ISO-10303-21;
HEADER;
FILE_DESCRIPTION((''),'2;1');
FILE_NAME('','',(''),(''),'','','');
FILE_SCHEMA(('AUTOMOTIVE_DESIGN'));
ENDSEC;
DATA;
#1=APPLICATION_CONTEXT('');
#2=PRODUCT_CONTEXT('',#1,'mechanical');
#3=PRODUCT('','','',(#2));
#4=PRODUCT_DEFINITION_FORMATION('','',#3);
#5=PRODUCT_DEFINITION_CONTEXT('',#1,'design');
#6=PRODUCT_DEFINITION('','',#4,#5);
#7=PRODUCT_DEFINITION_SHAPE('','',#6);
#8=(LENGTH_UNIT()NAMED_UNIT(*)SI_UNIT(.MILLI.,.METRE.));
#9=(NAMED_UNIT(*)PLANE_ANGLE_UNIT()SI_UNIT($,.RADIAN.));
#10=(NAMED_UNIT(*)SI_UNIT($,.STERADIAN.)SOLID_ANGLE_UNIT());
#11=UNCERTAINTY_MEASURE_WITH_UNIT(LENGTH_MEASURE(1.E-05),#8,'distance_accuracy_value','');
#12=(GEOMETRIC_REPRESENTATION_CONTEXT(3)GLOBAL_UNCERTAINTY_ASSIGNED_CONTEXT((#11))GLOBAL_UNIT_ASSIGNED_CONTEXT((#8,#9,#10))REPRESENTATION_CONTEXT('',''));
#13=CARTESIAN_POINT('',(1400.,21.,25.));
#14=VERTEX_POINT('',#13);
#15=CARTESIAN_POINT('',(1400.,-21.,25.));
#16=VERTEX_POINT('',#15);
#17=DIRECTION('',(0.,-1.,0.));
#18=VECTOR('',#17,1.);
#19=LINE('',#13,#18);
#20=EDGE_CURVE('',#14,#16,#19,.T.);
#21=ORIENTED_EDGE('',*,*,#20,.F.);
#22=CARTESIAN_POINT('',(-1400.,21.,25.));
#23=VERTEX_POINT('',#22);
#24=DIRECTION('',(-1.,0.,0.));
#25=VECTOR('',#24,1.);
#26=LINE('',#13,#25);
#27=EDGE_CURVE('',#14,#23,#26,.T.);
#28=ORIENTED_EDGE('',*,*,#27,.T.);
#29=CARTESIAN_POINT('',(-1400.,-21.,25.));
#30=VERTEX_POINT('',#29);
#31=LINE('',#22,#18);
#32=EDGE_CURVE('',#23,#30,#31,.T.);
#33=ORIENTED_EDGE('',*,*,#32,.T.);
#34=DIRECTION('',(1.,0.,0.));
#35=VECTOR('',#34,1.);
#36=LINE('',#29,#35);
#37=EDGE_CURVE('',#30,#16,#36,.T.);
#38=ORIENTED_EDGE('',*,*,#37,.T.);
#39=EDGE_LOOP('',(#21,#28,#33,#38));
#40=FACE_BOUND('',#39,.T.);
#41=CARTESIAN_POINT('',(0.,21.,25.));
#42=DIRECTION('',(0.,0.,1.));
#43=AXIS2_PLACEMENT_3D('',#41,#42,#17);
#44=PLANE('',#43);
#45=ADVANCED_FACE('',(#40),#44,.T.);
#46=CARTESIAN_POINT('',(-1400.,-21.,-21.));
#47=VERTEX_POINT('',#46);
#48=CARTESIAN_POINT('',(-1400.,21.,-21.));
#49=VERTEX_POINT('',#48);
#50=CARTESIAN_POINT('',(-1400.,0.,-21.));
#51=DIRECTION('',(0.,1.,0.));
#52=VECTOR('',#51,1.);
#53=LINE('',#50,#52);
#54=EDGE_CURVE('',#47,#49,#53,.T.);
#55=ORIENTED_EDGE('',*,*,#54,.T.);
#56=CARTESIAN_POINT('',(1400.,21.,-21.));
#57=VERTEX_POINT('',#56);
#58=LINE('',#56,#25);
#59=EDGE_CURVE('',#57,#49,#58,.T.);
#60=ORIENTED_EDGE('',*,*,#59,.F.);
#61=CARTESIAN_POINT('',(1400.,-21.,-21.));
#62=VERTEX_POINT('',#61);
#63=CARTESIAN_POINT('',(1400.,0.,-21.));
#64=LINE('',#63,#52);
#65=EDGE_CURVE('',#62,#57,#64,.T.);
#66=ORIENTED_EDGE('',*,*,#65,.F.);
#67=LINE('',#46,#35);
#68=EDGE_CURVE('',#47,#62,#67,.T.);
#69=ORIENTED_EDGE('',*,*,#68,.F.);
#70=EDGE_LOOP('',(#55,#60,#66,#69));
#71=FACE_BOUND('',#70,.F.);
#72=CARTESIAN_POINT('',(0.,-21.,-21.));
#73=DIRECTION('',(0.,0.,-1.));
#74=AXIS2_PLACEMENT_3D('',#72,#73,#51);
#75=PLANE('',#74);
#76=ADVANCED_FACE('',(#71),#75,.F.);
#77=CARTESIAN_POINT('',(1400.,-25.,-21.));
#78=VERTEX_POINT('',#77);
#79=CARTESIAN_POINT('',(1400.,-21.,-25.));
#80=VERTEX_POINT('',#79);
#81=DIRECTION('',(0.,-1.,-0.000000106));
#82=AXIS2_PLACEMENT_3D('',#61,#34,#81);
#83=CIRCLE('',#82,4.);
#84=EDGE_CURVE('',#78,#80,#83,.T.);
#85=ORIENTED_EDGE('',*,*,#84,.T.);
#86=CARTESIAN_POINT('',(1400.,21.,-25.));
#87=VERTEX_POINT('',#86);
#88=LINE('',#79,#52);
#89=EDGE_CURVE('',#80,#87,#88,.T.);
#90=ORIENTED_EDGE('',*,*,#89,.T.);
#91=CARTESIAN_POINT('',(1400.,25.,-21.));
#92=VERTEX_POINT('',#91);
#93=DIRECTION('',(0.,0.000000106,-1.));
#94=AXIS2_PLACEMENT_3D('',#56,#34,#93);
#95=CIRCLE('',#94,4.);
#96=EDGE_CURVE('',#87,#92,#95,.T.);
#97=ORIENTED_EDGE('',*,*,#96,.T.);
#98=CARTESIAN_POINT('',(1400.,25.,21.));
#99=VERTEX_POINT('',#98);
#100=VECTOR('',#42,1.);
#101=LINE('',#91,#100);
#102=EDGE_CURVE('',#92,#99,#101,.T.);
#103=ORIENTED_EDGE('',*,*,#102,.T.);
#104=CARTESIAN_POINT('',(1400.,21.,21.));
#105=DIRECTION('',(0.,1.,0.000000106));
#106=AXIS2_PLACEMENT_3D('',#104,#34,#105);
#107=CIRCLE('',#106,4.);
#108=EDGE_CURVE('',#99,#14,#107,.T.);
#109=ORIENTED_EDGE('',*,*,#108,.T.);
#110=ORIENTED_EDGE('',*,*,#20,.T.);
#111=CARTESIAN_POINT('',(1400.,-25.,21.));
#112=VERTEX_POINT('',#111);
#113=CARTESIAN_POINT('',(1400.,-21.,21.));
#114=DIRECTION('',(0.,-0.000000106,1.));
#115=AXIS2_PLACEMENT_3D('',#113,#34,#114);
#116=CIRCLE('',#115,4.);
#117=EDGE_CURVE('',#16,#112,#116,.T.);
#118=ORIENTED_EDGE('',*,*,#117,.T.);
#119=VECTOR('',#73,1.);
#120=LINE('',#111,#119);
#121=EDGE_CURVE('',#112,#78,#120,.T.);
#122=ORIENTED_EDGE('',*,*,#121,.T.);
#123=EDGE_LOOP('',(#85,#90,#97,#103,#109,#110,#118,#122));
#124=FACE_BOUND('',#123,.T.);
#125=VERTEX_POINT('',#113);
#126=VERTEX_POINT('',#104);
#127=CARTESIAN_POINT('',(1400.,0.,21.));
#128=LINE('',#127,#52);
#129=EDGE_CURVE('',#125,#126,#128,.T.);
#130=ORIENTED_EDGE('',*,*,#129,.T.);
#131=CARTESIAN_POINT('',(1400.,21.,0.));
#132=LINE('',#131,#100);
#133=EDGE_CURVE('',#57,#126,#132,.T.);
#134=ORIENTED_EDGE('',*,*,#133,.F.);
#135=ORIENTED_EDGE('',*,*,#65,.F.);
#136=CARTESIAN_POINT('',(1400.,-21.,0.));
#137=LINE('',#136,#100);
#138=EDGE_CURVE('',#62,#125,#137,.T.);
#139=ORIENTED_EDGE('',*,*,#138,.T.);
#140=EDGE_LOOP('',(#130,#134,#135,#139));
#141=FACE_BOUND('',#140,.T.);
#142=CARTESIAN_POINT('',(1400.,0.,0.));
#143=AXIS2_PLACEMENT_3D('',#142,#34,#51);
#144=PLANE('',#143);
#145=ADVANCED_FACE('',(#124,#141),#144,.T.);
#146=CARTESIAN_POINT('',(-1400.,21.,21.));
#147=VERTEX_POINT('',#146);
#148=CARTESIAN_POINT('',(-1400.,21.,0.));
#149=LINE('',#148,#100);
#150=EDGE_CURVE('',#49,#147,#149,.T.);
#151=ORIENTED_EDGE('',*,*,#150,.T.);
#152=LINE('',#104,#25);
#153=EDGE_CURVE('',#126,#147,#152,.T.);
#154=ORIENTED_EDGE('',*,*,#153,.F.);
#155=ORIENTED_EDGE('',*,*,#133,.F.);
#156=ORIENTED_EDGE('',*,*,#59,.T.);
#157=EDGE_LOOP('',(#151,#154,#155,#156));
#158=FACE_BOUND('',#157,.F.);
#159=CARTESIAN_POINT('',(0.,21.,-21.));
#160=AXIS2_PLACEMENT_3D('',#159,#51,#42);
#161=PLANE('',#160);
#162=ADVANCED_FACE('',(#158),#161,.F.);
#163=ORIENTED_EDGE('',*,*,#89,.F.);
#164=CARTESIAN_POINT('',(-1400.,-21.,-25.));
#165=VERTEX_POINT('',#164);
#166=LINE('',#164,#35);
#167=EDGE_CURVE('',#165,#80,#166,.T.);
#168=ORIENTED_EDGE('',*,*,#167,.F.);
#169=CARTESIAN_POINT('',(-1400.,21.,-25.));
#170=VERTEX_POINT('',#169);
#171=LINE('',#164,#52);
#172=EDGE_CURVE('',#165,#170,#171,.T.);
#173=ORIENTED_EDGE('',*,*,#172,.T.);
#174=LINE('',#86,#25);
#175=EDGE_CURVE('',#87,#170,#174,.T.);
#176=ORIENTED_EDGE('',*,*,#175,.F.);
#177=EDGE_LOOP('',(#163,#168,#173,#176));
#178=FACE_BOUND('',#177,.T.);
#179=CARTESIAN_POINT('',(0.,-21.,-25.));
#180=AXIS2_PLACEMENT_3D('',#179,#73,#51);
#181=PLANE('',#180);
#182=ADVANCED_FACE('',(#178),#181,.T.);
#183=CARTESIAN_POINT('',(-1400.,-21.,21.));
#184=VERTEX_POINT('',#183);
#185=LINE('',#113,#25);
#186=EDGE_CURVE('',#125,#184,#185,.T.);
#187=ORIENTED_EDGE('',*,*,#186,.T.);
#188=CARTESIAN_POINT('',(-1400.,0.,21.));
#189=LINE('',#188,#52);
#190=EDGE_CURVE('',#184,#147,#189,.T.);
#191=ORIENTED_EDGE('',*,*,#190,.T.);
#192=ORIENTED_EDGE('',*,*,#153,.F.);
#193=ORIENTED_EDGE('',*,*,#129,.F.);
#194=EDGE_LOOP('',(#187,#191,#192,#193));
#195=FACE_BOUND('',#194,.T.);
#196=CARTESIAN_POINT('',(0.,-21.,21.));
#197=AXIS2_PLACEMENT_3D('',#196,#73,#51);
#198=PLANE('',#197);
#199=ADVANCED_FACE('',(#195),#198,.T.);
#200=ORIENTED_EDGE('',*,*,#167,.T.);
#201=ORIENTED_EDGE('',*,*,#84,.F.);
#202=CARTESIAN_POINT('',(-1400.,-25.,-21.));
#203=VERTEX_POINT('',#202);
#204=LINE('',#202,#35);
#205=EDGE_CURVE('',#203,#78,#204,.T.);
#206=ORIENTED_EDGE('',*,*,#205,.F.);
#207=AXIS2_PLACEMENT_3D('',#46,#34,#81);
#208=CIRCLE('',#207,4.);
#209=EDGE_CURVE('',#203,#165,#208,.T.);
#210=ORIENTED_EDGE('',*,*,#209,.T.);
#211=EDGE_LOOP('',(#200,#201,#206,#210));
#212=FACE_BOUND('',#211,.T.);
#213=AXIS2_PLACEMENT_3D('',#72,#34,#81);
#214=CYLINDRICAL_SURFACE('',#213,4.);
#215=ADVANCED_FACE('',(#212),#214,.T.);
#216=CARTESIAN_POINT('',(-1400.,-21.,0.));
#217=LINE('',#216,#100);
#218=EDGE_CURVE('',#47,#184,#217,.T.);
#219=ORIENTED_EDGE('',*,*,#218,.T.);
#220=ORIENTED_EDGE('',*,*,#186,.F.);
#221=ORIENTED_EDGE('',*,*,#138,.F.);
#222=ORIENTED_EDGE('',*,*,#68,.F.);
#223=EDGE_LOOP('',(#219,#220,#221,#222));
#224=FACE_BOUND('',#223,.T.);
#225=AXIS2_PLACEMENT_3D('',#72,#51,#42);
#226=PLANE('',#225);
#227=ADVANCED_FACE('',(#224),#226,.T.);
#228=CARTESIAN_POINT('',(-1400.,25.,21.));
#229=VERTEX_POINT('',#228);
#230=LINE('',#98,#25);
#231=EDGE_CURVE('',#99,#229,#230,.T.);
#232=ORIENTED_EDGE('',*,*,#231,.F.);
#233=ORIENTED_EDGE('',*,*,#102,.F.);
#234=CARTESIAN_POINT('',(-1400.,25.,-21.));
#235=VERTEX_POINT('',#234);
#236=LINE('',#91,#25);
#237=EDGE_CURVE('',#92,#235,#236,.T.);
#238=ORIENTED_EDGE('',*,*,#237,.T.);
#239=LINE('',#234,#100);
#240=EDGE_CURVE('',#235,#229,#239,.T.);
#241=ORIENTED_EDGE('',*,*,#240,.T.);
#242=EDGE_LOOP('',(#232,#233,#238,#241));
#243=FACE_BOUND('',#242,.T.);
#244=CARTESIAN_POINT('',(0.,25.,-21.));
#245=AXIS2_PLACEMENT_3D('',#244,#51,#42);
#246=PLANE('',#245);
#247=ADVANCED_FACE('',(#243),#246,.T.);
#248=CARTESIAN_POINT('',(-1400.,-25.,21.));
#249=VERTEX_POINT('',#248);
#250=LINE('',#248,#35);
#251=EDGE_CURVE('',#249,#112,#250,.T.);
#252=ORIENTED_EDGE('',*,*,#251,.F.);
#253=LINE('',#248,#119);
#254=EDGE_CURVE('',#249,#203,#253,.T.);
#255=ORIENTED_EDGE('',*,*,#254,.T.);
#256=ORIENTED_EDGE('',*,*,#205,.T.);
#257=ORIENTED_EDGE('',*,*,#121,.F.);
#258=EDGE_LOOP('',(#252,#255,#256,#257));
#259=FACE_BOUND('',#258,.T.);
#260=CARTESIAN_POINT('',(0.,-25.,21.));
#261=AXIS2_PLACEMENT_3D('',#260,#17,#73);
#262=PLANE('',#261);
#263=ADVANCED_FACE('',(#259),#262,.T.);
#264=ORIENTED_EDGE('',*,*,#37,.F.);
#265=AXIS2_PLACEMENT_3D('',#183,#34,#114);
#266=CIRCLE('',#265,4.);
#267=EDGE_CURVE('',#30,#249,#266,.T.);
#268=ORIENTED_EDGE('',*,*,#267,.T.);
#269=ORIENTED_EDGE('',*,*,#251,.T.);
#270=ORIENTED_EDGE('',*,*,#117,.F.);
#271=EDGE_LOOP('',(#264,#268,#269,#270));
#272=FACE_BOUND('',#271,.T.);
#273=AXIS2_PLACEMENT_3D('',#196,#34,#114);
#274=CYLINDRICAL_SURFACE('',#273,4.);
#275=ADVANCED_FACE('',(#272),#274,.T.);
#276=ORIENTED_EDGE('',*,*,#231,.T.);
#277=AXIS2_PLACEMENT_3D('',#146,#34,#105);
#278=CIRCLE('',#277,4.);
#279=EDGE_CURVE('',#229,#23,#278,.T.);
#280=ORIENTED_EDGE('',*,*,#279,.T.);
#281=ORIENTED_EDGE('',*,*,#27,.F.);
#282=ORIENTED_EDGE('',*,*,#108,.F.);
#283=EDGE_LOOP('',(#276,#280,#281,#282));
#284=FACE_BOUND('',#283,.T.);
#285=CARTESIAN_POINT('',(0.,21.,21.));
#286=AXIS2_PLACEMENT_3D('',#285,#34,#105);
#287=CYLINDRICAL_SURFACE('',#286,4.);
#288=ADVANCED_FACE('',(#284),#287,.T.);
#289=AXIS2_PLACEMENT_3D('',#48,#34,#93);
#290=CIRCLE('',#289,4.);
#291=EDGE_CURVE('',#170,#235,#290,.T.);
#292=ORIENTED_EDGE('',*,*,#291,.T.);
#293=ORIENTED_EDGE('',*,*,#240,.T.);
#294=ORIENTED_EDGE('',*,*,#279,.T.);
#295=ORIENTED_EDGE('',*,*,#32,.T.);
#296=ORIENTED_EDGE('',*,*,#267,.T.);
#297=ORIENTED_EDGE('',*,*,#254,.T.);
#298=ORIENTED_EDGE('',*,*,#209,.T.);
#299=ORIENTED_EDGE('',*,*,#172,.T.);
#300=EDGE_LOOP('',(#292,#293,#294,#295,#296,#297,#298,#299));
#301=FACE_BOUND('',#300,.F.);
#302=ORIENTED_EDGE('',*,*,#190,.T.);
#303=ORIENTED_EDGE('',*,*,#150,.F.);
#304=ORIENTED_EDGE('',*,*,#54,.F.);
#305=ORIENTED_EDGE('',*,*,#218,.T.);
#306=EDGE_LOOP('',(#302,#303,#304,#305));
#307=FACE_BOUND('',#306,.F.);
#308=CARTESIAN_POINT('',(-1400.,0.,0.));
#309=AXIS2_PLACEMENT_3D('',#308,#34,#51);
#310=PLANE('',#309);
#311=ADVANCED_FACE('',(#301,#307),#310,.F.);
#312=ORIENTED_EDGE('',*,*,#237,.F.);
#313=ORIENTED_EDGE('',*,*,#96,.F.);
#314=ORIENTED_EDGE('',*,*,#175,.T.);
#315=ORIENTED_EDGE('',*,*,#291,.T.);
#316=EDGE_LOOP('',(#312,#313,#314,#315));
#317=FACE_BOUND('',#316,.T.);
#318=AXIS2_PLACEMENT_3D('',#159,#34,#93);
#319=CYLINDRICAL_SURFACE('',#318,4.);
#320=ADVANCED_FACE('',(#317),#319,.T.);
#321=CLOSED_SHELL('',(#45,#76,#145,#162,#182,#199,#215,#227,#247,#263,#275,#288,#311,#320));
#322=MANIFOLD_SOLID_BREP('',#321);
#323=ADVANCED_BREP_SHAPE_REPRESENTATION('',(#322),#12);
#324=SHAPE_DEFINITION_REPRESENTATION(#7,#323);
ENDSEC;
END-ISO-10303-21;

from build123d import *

# Parameters (mm, degrees)
F0_W     = 42
F0_H     = 42
F1_DEPTH = 1400


with BuildPart() as f1:
    # F0 (on Right) → F1 (new body, symmetric)
    with BuildSketch(Plane.YZ):
        with BuildLine():
            Line((21, 25), (-21, 25))
            ThreePointArc((-21, 25), (-23.828427, 23.828427), (-25, 21))
            Line((-25, 21), (-25, -21))
            ThreePointArc((-25, -21), (-23.828427, -23.828427), (-21, -25))
            Line((-21, -25), (21, -25))
            ThreePointArc((21, -25), (23.828427, -23.828427), (25, -21))
            Line((25, -21), (25, 21))
            ThreePointArc((25, 21), (23.828427, 23.828427), (21, 25))
        make_face()
        Rectangle(F0_W, F0_H, mode=Mode.SUBTRACT)
    extrude(amount=F1_DEPTH, both=True)


solid = f1.part
